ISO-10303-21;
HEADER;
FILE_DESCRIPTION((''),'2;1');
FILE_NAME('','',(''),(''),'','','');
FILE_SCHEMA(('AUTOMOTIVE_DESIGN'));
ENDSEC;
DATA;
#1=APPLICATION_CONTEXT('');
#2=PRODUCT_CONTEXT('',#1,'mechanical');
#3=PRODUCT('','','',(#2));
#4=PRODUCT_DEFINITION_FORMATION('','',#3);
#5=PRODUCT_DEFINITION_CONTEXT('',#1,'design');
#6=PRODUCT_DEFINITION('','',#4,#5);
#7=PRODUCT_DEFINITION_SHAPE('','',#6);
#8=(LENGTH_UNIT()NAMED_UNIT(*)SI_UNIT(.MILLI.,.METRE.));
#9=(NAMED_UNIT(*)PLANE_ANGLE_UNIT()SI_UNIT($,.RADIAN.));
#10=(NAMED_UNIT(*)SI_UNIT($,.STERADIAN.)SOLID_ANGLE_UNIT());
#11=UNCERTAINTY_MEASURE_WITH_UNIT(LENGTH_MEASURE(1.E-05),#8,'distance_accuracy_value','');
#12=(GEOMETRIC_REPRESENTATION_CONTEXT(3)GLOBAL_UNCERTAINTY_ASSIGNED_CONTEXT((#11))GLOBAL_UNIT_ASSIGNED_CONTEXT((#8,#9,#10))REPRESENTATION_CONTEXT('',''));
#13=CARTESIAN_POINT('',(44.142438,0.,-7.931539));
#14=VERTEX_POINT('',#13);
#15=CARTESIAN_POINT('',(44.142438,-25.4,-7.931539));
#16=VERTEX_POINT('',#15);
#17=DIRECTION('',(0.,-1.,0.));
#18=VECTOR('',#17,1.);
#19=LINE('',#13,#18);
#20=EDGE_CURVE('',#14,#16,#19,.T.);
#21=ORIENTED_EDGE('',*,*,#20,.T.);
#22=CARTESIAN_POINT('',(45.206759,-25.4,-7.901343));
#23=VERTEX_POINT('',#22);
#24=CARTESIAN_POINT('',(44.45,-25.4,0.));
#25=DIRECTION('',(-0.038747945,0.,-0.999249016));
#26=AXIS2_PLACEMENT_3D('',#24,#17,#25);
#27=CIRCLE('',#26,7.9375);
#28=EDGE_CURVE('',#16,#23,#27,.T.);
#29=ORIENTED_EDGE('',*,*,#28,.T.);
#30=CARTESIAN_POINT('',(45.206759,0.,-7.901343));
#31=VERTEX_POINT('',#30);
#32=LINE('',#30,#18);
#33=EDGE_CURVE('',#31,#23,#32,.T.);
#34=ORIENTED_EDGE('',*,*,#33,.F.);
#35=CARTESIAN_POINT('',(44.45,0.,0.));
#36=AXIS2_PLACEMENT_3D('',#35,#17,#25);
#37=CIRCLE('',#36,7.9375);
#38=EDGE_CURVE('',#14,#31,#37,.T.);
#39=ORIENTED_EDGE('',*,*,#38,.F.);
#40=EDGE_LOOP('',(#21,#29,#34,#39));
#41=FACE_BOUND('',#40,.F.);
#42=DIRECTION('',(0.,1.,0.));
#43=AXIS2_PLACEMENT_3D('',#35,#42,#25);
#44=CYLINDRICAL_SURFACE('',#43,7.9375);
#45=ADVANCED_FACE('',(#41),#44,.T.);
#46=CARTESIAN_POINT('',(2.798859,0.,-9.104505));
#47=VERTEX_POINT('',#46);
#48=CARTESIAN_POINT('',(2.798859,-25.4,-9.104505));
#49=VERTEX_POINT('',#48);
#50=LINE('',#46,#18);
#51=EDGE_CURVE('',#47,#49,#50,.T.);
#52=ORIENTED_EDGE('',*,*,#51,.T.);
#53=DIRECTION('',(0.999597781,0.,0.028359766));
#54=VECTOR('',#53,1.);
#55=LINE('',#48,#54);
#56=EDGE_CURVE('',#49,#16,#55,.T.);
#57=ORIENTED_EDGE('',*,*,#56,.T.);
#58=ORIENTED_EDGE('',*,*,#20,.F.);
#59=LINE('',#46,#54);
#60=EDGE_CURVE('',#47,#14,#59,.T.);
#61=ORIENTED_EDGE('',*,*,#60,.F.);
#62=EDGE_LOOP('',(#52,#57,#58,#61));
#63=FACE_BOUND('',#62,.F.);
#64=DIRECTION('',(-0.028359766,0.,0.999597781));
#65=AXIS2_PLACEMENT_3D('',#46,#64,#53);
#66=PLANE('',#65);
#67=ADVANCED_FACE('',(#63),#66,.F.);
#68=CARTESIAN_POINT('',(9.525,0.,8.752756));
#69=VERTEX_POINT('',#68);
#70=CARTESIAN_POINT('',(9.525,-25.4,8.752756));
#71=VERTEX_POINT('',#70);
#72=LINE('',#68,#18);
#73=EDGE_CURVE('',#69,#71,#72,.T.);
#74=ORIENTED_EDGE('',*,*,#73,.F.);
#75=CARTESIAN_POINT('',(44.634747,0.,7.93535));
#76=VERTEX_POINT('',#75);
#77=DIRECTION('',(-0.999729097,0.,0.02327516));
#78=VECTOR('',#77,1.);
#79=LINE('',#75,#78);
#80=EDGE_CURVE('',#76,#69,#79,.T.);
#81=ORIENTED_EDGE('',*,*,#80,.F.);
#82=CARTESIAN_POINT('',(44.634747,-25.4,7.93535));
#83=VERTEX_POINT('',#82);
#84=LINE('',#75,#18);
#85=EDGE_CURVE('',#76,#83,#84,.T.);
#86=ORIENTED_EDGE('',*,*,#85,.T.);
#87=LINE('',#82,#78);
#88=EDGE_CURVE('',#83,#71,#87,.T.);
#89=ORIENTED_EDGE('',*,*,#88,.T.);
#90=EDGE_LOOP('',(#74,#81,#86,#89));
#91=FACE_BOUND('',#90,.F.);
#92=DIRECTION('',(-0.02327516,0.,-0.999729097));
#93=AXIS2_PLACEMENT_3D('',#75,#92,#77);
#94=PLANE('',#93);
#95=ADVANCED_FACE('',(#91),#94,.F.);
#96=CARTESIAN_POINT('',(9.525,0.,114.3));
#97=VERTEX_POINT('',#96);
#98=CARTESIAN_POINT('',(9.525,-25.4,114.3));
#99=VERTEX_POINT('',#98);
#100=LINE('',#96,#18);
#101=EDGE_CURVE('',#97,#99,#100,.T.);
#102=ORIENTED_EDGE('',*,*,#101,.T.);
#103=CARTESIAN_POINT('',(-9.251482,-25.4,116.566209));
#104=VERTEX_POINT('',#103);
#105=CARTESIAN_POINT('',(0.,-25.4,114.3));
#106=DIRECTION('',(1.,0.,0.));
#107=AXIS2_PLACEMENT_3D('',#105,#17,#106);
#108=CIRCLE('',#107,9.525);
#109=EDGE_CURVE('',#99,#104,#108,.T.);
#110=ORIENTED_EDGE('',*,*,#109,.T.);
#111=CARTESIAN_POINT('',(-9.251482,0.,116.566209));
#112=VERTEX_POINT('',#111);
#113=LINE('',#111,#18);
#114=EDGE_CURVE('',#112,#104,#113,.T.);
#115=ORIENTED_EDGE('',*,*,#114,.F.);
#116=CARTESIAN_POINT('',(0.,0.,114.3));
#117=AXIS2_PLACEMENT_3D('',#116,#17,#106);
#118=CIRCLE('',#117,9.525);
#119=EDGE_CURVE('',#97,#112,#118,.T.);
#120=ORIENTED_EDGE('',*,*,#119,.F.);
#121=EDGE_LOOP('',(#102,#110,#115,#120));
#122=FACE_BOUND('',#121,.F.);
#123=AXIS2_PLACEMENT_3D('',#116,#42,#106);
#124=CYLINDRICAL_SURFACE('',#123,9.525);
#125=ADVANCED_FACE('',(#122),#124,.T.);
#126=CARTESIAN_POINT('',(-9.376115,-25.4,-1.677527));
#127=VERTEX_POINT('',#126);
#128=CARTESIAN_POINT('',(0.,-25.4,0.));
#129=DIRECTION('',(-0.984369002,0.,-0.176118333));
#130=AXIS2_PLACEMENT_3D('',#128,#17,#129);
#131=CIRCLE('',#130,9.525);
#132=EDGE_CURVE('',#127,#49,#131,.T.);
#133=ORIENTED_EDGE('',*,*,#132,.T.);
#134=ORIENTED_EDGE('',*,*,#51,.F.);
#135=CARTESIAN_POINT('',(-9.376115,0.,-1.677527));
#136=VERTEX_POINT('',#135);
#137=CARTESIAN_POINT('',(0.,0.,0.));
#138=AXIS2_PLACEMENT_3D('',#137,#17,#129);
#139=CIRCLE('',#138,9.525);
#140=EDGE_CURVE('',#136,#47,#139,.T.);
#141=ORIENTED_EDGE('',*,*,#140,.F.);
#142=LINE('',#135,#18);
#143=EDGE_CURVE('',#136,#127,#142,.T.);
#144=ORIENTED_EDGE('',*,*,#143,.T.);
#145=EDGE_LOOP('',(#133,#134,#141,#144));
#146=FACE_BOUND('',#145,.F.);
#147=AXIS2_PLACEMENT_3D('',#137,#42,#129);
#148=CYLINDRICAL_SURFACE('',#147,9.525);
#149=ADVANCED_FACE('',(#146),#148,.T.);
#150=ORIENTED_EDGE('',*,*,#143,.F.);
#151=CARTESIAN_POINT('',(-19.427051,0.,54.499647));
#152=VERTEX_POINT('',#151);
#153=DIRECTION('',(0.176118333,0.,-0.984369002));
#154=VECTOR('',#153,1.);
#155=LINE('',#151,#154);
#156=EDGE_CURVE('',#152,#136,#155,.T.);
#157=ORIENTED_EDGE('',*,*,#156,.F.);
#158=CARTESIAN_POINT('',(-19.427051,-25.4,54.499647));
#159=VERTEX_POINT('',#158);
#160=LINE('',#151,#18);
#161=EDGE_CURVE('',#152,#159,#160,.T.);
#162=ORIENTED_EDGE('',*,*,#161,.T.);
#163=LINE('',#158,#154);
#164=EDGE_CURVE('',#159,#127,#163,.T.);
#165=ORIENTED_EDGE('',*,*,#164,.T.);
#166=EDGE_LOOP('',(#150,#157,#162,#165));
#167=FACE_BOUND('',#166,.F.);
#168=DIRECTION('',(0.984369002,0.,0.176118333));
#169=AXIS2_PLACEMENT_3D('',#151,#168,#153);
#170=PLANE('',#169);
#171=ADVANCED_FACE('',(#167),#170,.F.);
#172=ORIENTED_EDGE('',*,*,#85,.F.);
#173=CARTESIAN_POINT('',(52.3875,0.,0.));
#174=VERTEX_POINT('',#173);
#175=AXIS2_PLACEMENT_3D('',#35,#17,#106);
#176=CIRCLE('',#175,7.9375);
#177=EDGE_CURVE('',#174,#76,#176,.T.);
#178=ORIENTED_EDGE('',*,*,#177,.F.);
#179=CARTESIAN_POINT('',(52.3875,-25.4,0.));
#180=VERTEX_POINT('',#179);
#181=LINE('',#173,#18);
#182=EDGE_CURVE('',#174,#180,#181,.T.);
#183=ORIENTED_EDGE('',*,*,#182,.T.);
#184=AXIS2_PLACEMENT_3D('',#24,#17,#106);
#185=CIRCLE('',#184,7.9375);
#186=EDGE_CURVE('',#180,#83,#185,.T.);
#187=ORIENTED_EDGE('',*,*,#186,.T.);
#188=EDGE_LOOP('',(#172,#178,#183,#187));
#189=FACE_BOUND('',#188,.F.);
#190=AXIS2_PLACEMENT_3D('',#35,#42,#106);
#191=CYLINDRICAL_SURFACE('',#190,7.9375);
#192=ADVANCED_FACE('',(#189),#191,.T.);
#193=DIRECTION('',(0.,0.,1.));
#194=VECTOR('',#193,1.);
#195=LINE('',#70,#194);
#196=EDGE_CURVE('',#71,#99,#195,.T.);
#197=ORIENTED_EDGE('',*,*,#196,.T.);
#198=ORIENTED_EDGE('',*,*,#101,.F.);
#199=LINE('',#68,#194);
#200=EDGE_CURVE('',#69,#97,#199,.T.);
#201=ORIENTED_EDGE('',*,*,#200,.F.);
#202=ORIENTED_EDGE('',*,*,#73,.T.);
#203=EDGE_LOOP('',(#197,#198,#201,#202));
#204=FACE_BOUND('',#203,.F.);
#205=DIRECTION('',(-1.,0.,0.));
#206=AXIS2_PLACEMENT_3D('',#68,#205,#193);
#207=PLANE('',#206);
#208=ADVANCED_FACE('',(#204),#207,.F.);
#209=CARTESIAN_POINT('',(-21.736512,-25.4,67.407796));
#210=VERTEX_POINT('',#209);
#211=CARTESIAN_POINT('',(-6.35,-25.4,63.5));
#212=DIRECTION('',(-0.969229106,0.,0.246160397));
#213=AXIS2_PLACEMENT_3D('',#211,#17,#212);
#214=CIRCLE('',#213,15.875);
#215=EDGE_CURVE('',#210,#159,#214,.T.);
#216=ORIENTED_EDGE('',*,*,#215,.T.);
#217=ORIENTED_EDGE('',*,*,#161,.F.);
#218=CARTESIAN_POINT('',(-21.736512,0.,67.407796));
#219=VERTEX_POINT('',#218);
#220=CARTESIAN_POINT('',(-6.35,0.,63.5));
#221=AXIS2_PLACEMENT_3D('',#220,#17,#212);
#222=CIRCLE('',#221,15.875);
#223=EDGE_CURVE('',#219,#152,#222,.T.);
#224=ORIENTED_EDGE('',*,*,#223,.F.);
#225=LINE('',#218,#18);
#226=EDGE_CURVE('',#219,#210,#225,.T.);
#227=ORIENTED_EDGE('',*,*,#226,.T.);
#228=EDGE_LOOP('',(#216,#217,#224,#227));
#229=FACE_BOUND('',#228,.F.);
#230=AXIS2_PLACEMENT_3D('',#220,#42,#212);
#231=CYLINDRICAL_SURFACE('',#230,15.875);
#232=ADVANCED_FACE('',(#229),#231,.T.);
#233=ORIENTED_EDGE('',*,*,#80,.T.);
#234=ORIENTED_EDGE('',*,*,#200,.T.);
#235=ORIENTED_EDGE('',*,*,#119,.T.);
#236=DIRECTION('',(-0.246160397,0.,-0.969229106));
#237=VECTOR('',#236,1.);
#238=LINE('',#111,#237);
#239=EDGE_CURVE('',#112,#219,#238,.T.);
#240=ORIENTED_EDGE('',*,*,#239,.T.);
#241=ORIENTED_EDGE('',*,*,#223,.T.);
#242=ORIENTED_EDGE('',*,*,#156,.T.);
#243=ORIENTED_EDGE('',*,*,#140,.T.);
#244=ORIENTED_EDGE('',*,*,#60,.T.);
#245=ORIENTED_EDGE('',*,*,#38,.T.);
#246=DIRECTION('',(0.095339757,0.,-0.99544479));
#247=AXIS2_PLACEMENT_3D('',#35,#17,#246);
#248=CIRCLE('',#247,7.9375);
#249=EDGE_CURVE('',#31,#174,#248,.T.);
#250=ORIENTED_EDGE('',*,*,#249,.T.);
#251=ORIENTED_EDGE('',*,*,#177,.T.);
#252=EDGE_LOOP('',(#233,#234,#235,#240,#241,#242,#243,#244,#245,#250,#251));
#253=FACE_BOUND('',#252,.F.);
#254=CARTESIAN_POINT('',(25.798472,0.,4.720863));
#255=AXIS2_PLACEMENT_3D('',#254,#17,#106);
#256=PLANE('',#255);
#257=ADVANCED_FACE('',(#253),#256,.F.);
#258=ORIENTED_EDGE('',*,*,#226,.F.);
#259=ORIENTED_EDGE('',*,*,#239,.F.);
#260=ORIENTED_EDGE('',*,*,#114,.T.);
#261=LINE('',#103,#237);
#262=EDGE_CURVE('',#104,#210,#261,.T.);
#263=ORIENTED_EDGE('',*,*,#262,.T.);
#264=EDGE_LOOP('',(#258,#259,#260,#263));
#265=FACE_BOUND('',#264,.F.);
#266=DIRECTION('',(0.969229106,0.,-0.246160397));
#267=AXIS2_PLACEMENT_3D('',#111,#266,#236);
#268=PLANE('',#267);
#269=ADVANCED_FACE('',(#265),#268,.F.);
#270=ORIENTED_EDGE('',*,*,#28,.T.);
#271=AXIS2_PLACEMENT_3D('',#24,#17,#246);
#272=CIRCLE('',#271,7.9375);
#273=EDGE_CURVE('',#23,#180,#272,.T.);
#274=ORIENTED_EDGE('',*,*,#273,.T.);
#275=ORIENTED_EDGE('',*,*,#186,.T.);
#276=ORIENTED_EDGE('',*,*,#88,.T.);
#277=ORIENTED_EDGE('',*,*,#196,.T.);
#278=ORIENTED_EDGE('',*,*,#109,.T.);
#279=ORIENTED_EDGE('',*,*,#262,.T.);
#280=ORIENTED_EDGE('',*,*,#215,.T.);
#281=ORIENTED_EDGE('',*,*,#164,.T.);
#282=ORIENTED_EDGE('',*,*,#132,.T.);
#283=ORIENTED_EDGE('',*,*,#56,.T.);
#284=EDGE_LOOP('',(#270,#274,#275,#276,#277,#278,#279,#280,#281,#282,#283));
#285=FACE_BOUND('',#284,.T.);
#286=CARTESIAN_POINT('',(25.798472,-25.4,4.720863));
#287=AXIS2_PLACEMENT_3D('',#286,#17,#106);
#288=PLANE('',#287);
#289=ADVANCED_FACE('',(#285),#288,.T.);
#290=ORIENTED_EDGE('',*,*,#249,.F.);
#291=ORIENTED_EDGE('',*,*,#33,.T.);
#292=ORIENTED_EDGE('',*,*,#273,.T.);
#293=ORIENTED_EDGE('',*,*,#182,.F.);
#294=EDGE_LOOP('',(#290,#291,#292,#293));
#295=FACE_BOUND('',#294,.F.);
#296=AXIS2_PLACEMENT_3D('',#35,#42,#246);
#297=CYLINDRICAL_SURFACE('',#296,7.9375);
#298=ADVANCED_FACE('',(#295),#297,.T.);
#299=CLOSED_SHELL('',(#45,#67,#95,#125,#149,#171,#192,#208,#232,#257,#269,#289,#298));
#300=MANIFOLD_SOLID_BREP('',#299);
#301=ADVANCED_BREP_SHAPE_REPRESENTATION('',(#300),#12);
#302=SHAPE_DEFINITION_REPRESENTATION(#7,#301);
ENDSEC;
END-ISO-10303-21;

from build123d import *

# Parameters (mm, degrees)
F1_DEPTH = 25.4


with BuildPart() as f1:
    # F0 (on Front) → F1 (new body)
    with BuildSketch(Plane.XZ):
        with BuildLine():
            Line((9.525, 8.7527561023), (9.525, 0))
            Line((9.525, 0), (36.5125, 0))
            ThreePointArc((36.5125, 0), (38.9030422631, 5.6776021448), (44.6347465801, 7.9353497057))
            Line((44.6347465801, 7.9353497057), (9.525, 8.7527561023))
        make_face()
        with BuildLine():
            ThreePointArc((2.7988590243, -9.1045051025), (7.6610951308, -5.6597920807), (9.525, 0))
            ThreePointArc((9.525, 0), (7.8475369963, 5.3983134488), (3.4059893771, 8.8952156445))
            ThreePointArc((3.4059893771, 8.8952156445), (-6.070940752, 7.3395710628), (-9.3761147481, -1.6775271174))
            ThreePointArc((-9.3761147481, -1.6775271174), (-4.9603501602, -8.1314544387), (2.7988590243, -9.1045051025))
        make_face()
        with BuildLine():
            Line((36.5125, 0), (9.525, 0))
            ThreePointArc((9.525, 0), (7.6610951308, -5.6597920807), (2.7988590243, -9.1045051025))
            Line((2.7988590243, -9.1045051025), (44.1424381886, -7.9315390677))
            ThreePointArc((44.1424381886, -7.9315390677), (38.7296338348, -5.5028462804), (36.5125, 0))
        make_face()
        with BuildLine():
            ThreePointArc((3.4059893771, 8.8952156445), (7.8475369963, 5.3983134488), (9.525, 0))
            Line((9.525, 0), (9.525, 8.7527561023))
            Line((9.525, 8.7527561023), (3.4059893771, 8.8952156445))
        make_face()
        with BuildLine():
            ThreePointArc((44.6347465801, 7.9353497057), (38.9030422631, 5.6776021448), (36.5125, 0))
            ThreePointArc((36.5125, 0), (38.7296338348, -5.5028462804), (44.1424381886, -7.9315390677))
            Line((44.1424381886, -7.9315390677), (45.2067593241, -7.9013430235))
            ThreePointArc((45.2067593241, -7.9013430235), (50.3241247597, -5.3384046828), (52.3875, 0))
            ThreePointArc((52.3875, 0), (50.1276021448, 5.5469577369), (44.6347465801, 7.9353497057))
        make_face()
        with BuildLine():
            ThreePointArc((-9.3761147481, -1.6775271174), (-6.070940752, 7.3395710628), (3.4059893771, 8.8952156445))
            Line((3.4059893771, 8.8952156445), (9.525, 8.7527561023))
            Line((9.525, 8.7527561023), (9.525, 63.5))
            ThreePointArc((9.525, 63.5), (-1.6373871883, 48.3406165862), (-19.427051085, 54.499646678))
            Line((-19.427051085, 54.499646678), (-9.3761147481, -1.6775271174))
        make_face()
        with BuildLine():
            Line((45.2067593241, -7.9013430235), (44.1424381886, -7.9315390677))
            ThreePointArc((44.1424381886, -7.9315390677), (44.6751056455, -7.9343073862), (45.2067593241, -7.9013430235))
        make_face()
        with BuildLine():
            ThreePointArc((-19.427051085, 54.499646678), (-1.6373871883, 48.3406165862), (9.525, 63.5))
            ThreePointArc((9.525, 63.5), (-4.3808953568, 79.2524046388), (-21.7365120509, 67.407796298))
            Line((-21.7365120509, 67.407796298), (-19.427051085, 54.499646678))
        make_face()
        with BuildLine():
            ThreePointArc((-21.7365120509, 67.407796298), (-4.3808953568, 79.2524046388), (9.525, 63.5))
            Line((9.525, 63.5), (9.525, 70.5978151911))
            Line((9.525, 70.5978151911), (9.525, 114.3))
            ThreePointArc((9.525, 114.3), (9.5201459262, 113.9959497671), (9.5055886521, 113.6922094307))
            ThreePointArc((9.5055886521, 113.6922094307), (9.5015142779, 113.6315305345), (9.4970525641, 113.5708788893))
            ThreePointArc((9.4970525641, 113.5708788893), (-1.5026899485, 104.8942811057), (-9.2514820981, 116.5662091669))
            Line((-9.2514820981, 116.5662091669), (-21.7365120509, 67.407796298))
        make_face()
        with BuildLine():
            ThreePointArc((-21.7365120509, 67.407796298), (-21.9768579136, 60.704121471), (-19.427051085, 54.499646678))
            Line((-19.427051085, 54.499646678), (-21.7365120509, 67.407796298))
        make_face()
        with BuildLine():
            ThreePointArc((9.525, 114.3), (1.1413277389, 123.7563733002), (-9.2514820981, 116.5662091669))
            ThreePointArc((-9.2514820981, 116.5662091669), (-1.5026899485, 104.8942811057), (9.4970525641, 113.5708788893))
            Line((9.4970525641, 113.5708788893), (9.525, 114.3))
        make_face()
        with BuildLine():
            ThreePointArc((9.5055886521, 113.6922094307), (9.5201459262, 113.9959497671), (9.525, 114.3))
            Line((9.525, 114.3), (9.5055886521, 113.6922094307))
        make_face()
        with BuildLine():
            Line((9.5055886521, 113.6922094307), (9.525, 114.3))
            Line((9.525, 114.3), (9.4970525641, 113.5708788893))
            ThreePointArc((9.4970525641, 113.5708788893), (9.5015142779, 113.6315305345), (9.5055886521, 113.6922094307))
        make_face()
    extrude(amount=F1_DEPTH)


solid = f1.part
